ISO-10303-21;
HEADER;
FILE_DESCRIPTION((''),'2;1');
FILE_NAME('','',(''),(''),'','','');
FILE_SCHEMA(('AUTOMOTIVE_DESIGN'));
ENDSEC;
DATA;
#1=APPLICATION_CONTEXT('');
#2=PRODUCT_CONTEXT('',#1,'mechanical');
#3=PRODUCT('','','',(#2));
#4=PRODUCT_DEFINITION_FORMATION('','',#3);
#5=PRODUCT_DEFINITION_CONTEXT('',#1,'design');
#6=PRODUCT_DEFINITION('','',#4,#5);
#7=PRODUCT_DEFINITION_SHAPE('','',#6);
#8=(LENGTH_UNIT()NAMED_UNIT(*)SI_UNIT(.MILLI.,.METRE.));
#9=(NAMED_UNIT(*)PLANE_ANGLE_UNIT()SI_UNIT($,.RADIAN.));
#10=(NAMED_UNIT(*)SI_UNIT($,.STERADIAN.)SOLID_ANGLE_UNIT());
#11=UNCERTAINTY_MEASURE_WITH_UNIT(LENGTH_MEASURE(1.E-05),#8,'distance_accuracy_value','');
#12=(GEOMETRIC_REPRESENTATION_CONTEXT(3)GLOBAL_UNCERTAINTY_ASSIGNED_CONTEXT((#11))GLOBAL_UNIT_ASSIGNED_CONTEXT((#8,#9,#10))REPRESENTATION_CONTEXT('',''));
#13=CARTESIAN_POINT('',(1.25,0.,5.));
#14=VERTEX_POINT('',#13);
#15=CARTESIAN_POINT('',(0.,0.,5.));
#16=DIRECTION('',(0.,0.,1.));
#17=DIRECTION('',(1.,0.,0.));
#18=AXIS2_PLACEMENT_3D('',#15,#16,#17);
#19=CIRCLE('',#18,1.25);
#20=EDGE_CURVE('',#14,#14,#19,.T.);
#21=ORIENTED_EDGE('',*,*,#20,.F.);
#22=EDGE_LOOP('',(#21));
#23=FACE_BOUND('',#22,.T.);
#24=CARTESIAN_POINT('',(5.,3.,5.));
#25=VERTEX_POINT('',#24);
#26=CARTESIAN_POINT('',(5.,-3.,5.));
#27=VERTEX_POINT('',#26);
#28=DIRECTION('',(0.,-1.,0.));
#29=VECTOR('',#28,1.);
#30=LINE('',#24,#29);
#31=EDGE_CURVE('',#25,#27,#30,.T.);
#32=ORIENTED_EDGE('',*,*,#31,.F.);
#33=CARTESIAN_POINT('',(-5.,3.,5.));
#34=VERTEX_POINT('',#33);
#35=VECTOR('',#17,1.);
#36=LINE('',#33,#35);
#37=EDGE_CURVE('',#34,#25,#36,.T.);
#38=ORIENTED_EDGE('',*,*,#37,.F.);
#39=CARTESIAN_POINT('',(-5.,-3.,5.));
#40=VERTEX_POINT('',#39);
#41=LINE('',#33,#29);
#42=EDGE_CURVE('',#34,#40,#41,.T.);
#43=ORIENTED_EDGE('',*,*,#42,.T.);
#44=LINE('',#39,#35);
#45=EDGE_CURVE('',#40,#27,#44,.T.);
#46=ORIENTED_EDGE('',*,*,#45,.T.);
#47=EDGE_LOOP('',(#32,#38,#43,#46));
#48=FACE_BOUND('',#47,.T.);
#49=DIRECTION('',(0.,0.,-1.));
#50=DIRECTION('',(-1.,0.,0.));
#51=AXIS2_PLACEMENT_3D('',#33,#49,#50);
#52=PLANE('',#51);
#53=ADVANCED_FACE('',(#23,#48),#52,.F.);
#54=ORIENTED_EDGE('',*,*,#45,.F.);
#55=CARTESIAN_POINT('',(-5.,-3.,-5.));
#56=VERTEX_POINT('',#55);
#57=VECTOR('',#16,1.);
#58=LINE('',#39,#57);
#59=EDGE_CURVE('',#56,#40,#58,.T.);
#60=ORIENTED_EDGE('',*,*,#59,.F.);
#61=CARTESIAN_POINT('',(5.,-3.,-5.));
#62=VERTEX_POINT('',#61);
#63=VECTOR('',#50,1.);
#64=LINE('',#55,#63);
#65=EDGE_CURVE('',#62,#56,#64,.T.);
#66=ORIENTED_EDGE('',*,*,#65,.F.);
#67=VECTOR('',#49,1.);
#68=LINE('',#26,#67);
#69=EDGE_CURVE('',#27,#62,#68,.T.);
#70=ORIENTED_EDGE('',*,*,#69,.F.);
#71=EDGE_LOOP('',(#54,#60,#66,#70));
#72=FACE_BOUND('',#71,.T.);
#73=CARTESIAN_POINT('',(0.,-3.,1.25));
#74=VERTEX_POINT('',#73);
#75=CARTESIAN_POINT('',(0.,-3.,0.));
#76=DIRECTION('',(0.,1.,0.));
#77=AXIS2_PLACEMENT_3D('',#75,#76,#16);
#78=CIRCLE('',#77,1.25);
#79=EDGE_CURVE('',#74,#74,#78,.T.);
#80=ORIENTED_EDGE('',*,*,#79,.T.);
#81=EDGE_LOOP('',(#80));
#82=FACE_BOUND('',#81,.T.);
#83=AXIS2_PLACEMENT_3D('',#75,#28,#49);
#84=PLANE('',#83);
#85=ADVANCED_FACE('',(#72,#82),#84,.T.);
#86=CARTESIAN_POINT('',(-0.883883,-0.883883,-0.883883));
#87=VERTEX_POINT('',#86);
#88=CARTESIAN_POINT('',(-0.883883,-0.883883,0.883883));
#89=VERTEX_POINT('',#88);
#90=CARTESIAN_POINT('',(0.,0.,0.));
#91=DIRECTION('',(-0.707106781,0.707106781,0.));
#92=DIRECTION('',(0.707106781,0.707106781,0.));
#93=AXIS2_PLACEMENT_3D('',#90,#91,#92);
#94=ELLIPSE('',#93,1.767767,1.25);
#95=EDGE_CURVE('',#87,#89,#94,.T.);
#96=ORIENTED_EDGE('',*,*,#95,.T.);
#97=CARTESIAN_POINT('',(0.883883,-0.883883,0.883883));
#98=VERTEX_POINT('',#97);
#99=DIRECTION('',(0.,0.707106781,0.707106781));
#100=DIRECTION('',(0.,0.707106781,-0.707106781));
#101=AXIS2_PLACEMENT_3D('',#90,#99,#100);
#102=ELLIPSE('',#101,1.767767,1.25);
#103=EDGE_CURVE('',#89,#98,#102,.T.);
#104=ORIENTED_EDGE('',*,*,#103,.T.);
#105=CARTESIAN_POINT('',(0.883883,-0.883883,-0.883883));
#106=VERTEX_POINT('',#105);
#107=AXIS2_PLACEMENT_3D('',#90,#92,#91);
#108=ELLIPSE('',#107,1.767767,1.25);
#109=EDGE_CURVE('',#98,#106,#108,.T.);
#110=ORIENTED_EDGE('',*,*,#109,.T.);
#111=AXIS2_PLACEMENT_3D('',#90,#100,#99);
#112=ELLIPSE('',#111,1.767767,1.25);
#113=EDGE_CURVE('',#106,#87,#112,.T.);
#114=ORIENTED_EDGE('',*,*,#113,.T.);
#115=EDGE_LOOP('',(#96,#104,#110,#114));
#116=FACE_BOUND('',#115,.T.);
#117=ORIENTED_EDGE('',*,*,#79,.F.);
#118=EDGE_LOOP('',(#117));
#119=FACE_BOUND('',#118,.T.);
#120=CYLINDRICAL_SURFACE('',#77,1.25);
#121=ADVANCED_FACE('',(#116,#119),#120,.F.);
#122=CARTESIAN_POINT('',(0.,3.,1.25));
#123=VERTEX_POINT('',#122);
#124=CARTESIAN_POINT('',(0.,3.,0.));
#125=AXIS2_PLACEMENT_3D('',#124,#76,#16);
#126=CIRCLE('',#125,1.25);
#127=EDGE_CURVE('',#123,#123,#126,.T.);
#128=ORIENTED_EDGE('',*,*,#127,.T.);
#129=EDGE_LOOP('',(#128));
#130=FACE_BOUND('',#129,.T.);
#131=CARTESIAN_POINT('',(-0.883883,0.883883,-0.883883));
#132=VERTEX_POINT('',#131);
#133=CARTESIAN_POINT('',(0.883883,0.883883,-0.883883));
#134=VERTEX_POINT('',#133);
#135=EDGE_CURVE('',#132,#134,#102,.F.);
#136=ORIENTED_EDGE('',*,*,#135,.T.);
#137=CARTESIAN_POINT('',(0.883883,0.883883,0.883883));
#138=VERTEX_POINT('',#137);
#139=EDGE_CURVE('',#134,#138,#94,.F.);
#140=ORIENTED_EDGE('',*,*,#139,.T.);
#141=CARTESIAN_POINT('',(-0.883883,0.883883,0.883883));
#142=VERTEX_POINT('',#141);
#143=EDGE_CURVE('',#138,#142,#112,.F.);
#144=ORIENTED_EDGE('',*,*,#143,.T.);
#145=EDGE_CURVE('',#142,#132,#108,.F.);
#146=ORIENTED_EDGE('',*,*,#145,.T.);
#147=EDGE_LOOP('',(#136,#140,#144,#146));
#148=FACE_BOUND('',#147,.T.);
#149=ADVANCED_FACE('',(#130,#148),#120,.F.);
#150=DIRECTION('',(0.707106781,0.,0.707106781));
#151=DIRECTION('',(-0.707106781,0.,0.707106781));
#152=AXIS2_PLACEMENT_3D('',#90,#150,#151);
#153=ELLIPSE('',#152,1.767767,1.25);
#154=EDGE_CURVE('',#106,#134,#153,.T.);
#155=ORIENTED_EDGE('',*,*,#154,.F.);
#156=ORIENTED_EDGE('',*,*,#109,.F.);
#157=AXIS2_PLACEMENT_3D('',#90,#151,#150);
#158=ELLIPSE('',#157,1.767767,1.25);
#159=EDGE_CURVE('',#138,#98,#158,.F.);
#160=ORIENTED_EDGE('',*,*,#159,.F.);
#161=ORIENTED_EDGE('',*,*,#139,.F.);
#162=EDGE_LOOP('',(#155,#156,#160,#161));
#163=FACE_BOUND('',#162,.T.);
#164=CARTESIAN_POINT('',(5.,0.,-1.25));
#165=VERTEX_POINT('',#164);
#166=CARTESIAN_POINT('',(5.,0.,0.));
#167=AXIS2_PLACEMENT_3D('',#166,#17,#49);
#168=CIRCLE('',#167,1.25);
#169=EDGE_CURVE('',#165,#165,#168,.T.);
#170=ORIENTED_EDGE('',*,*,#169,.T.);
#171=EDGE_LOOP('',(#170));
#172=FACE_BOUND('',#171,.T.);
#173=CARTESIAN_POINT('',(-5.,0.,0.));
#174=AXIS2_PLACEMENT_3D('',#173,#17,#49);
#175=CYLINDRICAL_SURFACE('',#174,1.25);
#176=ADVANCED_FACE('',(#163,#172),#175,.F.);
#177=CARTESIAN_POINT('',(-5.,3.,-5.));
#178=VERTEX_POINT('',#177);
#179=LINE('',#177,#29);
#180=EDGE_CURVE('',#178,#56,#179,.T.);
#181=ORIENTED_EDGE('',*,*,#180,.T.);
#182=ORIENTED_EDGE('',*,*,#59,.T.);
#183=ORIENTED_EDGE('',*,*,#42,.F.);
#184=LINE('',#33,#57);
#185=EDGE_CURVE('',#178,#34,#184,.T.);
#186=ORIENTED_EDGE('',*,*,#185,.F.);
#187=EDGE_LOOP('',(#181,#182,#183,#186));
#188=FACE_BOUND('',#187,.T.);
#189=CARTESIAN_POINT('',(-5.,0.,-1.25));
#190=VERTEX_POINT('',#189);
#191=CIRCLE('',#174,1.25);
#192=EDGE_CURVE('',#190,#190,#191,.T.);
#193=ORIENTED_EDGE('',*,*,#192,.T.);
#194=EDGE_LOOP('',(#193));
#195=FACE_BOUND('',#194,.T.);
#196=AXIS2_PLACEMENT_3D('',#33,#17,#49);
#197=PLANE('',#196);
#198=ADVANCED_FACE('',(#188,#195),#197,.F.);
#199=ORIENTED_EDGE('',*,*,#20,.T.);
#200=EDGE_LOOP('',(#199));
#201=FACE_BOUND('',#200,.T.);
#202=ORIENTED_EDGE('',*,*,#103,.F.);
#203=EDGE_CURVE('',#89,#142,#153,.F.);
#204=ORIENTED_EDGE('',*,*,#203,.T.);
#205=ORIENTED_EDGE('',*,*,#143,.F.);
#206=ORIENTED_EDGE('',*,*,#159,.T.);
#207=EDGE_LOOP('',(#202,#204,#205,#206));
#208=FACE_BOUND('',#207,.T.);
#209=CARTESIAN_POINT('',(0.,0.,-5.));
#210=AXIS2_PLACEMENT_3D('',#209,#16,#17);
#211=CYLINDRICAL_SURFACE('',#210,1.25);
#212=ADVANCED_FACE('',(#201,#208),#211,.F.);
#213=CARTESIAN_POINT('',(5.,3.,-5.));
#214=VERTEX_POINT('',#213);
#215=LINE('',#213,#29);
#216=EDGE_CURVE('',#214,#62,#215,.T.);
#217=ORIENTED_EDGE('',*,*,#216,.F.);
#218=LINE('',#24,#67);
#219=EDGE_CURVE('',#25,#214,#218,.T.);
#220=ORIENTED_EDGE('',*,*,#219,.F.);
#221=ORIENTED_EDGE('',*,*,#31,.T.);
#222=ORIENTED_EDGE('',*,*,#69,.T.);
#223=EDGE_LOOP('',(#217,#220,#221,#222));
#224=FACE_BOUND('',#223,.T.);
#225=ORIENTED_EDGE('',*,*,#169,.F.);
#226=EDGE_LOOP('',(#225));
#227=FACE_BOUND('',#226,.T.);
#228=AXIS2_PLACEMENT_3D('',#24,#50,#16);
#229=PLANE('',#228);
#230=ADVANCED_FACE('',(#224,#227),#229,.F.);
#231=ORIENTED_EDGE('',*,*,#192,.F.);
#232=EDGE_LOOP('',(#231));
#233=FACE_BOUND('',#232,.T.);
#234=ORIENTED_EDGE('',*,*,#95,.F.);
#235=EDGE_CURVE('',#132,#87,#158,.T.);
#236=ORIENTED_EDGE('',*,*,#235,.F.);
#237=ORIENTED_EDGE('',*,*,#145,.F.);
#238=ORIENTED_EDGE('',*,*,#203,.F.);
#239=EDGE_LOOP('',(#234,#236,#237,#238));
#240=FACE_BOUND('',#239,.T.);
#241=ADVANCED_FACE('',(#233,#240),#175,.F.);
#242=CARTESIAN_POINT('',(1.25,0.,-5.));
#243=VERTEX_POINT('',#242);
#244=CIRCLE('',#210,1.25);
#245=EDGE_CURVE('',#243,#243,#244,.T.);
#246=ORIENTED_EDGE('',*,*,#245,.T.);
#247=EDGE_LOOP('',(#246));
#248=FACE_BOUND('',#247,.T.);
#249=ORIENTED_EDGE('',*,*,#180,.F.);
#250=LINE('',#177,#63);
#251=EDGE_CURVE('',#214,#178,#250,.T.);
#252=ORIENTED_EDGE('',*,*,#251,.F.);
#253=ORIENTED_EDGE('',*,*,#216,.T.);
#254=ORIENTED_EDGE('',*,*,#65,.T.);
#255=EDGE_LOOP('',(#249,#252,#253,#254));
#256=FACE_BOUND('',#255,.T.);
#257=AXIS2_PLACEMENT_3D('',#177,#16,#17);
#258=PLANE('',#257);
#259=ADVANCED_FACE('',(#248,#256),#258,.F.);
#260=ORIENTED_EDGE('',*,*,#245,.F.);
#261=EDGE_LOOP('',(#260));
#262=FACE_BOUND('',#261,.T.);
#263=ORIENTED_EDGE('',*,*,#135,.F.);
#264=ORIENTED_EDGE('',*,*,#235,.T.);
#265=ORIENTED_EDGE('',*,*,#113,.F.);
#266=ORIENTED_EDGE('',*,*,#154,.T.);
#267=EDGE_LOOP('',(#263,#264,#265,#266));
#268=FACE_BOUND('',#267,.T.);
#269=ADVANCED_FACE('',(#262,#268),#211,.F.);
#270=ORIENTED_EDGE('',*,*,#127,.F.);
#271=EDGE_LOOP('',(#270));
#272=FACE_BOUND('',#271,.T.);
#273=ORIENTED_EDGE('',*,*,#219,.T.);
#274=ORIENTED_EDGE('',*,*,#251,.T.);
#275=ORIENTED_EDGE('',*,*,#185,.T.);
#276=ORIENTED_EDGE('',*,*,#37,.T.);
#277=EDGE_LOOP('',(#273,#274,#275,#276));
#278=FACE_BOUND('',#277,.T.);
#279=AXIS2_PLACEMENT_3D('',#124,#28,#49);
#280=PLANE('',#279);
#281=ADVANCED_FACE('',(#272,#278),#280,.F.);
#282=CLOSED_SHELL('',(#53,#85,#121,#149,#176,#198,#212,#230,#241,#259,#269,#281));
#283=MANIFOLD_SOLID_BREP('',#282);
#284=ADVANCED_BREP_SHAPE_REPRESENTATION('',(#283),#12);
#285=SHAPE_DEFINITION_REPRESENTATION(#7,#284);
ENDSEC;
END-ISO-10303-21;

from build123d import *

# Parameters (mm, degrees)
SKETCH_1_W          = 10
SKETCH_1_H          = 10
EXTRUDE_1_DEPTH     = 3
SKETCH_2_R          = 1.25
CUT_EXTRUDE_1_DEPTH = 7
SKETCH_3_R          = 1.25
CUT_EXTRUDE_2_DEPTH = 11
SKETCH_4_R          = 1.25
CUT_EXTRUDE_3_DEPTH = 11


with BuildPart() as part:
    # 草圖1 → 填料-伸長1 (new body, symmetric)
    with BuildSketch(Plane(origin=(0, 0, 0), x_dir=(1, 0, 0), z_dir=(0, 1, 0))):
        Rectangle(SKETCH_1_W, SKETCH_1_H)
    extrude(amount=EXTRUDE_1_DEPTH, both=True)

    # 草圖2 → 除料-伸長1 (cut, through all)
    with BuildSketch(Plane(origin=(0, 3, 0), x_dir=(1, 0, 0), z_dir=(0, 1, 0))):
        Circle(SKETCH_2_R)
    extrude(amount=-CUT_EXTRUDE_1_DEPTH, mode=Mode.SUBTRACT)

    # 草圖3 → 除料-伸長2 (cut, through all)
    with BuildSketch(Plane.XY.offset(5)):
        Circle(SKETCH_3_R)
    extrude(amount=-CUT_EXTRUDE_2_DEPTH, mode=Mode.SUBTRACT)

    # 草圖4 → 除料-伸長3 (cut, through all)
    with BuildSketch(Plane(origin=(5, 0, 0), x_dir=(0, 0, -1), z_dir=(1, 0, 0))):
        Circle(SKETCH_4_R)
    extrude(amount=-CUT_EXTRUDE_3_DEPTH, mode=Mode.SUBTRACT)


solid = part.part
